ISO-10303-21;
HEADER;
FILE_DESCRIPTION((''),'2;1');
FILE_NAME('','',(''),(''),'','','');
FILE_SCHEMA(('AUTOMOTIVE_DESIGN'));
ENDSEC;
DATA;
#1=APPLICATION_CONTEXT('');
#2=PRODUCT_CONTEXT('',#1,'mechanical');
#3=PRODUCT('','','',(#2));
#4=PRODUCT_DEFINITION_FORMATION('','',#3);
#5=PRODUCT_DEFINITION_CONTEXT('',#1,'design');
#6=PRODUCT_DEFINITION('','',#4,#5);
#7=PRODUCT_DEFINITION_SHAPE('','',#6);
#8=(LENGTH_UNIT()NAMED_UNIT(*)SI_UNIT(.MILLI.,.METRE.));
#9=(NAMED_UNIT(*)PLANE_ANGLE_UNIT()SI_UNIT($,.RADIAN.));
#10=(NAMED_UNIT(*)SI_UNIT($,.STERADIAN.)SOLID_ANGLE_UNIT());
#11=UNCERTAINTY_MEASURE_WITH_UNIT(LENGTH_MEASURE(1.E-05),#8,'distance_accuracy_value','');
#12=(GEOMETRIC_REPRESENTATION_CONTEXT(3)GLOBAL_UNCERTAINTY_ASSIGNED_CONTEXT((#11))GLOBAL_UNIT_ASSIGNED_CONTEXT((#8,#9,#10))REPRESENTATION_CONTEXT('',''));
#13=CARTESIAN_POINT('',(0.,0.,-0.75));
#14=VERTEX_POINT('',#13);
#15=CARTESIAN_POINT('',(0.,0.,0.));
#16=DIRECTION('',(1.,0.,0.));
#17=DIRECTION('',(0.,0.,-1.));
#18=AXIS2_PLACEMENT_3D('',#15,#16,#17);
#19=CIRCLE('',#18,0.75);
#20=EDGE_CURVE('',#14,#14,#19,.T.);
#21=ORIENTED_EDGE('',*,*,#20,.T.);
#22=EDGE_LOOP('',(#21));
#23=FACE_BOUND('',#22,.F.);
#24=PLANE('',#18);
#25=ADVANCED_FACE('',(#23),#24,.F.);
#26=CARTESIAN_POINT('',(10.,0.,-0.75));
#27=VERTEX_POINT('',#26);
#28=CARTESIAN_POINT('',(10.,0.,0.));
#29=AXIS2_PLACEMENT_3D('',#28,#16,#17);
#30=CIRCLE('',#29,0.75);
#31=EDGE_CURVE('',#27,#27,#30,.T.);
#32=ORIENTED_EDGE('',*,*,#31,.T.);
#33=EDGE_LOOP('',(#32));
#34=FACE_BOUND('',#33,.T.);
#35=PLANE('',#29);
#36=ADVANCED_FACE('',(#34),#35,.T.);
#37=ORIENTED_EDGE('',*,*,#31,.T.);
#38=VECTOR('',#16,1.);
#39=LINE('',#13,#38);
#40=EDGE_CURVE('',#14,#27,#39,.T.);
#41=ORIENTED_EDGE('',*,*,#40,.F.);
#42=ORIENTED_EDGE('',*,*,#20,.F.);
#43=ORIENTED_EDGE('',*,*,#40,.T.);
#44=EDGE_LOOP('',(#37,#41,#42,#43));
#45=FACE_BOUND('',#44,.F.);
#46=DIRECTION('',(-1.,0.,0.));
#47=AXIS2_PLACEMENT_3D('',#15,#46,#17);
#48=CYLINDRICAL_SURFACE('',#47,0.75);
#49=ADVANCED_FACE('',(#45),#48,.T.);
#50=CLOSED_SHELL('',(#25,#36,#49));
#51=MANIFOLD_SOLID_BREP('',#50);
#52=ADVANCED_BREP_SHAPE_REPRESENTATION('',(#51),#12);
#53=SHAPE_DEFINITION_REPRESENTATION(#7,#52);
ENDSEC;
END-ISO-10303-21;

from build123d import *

# Parameters (mm, degrees)
SKETCH1_R           = 0.75
BOSS_EXTRUDE1_DEPTH = 10


with BuildPart() as part:
    # Sketch1 → Boss-Extrude1 (new body)
    with BuildSketch(Plane(origin=(0, 0, 0), x_dir=(0, 0, -1), z_dir=(1, 0, 0))):
        Circle(SKETCH1_R)
    extrude(amount=BOSS_EXTRUDE1_DEPTH)


solid = part.part
